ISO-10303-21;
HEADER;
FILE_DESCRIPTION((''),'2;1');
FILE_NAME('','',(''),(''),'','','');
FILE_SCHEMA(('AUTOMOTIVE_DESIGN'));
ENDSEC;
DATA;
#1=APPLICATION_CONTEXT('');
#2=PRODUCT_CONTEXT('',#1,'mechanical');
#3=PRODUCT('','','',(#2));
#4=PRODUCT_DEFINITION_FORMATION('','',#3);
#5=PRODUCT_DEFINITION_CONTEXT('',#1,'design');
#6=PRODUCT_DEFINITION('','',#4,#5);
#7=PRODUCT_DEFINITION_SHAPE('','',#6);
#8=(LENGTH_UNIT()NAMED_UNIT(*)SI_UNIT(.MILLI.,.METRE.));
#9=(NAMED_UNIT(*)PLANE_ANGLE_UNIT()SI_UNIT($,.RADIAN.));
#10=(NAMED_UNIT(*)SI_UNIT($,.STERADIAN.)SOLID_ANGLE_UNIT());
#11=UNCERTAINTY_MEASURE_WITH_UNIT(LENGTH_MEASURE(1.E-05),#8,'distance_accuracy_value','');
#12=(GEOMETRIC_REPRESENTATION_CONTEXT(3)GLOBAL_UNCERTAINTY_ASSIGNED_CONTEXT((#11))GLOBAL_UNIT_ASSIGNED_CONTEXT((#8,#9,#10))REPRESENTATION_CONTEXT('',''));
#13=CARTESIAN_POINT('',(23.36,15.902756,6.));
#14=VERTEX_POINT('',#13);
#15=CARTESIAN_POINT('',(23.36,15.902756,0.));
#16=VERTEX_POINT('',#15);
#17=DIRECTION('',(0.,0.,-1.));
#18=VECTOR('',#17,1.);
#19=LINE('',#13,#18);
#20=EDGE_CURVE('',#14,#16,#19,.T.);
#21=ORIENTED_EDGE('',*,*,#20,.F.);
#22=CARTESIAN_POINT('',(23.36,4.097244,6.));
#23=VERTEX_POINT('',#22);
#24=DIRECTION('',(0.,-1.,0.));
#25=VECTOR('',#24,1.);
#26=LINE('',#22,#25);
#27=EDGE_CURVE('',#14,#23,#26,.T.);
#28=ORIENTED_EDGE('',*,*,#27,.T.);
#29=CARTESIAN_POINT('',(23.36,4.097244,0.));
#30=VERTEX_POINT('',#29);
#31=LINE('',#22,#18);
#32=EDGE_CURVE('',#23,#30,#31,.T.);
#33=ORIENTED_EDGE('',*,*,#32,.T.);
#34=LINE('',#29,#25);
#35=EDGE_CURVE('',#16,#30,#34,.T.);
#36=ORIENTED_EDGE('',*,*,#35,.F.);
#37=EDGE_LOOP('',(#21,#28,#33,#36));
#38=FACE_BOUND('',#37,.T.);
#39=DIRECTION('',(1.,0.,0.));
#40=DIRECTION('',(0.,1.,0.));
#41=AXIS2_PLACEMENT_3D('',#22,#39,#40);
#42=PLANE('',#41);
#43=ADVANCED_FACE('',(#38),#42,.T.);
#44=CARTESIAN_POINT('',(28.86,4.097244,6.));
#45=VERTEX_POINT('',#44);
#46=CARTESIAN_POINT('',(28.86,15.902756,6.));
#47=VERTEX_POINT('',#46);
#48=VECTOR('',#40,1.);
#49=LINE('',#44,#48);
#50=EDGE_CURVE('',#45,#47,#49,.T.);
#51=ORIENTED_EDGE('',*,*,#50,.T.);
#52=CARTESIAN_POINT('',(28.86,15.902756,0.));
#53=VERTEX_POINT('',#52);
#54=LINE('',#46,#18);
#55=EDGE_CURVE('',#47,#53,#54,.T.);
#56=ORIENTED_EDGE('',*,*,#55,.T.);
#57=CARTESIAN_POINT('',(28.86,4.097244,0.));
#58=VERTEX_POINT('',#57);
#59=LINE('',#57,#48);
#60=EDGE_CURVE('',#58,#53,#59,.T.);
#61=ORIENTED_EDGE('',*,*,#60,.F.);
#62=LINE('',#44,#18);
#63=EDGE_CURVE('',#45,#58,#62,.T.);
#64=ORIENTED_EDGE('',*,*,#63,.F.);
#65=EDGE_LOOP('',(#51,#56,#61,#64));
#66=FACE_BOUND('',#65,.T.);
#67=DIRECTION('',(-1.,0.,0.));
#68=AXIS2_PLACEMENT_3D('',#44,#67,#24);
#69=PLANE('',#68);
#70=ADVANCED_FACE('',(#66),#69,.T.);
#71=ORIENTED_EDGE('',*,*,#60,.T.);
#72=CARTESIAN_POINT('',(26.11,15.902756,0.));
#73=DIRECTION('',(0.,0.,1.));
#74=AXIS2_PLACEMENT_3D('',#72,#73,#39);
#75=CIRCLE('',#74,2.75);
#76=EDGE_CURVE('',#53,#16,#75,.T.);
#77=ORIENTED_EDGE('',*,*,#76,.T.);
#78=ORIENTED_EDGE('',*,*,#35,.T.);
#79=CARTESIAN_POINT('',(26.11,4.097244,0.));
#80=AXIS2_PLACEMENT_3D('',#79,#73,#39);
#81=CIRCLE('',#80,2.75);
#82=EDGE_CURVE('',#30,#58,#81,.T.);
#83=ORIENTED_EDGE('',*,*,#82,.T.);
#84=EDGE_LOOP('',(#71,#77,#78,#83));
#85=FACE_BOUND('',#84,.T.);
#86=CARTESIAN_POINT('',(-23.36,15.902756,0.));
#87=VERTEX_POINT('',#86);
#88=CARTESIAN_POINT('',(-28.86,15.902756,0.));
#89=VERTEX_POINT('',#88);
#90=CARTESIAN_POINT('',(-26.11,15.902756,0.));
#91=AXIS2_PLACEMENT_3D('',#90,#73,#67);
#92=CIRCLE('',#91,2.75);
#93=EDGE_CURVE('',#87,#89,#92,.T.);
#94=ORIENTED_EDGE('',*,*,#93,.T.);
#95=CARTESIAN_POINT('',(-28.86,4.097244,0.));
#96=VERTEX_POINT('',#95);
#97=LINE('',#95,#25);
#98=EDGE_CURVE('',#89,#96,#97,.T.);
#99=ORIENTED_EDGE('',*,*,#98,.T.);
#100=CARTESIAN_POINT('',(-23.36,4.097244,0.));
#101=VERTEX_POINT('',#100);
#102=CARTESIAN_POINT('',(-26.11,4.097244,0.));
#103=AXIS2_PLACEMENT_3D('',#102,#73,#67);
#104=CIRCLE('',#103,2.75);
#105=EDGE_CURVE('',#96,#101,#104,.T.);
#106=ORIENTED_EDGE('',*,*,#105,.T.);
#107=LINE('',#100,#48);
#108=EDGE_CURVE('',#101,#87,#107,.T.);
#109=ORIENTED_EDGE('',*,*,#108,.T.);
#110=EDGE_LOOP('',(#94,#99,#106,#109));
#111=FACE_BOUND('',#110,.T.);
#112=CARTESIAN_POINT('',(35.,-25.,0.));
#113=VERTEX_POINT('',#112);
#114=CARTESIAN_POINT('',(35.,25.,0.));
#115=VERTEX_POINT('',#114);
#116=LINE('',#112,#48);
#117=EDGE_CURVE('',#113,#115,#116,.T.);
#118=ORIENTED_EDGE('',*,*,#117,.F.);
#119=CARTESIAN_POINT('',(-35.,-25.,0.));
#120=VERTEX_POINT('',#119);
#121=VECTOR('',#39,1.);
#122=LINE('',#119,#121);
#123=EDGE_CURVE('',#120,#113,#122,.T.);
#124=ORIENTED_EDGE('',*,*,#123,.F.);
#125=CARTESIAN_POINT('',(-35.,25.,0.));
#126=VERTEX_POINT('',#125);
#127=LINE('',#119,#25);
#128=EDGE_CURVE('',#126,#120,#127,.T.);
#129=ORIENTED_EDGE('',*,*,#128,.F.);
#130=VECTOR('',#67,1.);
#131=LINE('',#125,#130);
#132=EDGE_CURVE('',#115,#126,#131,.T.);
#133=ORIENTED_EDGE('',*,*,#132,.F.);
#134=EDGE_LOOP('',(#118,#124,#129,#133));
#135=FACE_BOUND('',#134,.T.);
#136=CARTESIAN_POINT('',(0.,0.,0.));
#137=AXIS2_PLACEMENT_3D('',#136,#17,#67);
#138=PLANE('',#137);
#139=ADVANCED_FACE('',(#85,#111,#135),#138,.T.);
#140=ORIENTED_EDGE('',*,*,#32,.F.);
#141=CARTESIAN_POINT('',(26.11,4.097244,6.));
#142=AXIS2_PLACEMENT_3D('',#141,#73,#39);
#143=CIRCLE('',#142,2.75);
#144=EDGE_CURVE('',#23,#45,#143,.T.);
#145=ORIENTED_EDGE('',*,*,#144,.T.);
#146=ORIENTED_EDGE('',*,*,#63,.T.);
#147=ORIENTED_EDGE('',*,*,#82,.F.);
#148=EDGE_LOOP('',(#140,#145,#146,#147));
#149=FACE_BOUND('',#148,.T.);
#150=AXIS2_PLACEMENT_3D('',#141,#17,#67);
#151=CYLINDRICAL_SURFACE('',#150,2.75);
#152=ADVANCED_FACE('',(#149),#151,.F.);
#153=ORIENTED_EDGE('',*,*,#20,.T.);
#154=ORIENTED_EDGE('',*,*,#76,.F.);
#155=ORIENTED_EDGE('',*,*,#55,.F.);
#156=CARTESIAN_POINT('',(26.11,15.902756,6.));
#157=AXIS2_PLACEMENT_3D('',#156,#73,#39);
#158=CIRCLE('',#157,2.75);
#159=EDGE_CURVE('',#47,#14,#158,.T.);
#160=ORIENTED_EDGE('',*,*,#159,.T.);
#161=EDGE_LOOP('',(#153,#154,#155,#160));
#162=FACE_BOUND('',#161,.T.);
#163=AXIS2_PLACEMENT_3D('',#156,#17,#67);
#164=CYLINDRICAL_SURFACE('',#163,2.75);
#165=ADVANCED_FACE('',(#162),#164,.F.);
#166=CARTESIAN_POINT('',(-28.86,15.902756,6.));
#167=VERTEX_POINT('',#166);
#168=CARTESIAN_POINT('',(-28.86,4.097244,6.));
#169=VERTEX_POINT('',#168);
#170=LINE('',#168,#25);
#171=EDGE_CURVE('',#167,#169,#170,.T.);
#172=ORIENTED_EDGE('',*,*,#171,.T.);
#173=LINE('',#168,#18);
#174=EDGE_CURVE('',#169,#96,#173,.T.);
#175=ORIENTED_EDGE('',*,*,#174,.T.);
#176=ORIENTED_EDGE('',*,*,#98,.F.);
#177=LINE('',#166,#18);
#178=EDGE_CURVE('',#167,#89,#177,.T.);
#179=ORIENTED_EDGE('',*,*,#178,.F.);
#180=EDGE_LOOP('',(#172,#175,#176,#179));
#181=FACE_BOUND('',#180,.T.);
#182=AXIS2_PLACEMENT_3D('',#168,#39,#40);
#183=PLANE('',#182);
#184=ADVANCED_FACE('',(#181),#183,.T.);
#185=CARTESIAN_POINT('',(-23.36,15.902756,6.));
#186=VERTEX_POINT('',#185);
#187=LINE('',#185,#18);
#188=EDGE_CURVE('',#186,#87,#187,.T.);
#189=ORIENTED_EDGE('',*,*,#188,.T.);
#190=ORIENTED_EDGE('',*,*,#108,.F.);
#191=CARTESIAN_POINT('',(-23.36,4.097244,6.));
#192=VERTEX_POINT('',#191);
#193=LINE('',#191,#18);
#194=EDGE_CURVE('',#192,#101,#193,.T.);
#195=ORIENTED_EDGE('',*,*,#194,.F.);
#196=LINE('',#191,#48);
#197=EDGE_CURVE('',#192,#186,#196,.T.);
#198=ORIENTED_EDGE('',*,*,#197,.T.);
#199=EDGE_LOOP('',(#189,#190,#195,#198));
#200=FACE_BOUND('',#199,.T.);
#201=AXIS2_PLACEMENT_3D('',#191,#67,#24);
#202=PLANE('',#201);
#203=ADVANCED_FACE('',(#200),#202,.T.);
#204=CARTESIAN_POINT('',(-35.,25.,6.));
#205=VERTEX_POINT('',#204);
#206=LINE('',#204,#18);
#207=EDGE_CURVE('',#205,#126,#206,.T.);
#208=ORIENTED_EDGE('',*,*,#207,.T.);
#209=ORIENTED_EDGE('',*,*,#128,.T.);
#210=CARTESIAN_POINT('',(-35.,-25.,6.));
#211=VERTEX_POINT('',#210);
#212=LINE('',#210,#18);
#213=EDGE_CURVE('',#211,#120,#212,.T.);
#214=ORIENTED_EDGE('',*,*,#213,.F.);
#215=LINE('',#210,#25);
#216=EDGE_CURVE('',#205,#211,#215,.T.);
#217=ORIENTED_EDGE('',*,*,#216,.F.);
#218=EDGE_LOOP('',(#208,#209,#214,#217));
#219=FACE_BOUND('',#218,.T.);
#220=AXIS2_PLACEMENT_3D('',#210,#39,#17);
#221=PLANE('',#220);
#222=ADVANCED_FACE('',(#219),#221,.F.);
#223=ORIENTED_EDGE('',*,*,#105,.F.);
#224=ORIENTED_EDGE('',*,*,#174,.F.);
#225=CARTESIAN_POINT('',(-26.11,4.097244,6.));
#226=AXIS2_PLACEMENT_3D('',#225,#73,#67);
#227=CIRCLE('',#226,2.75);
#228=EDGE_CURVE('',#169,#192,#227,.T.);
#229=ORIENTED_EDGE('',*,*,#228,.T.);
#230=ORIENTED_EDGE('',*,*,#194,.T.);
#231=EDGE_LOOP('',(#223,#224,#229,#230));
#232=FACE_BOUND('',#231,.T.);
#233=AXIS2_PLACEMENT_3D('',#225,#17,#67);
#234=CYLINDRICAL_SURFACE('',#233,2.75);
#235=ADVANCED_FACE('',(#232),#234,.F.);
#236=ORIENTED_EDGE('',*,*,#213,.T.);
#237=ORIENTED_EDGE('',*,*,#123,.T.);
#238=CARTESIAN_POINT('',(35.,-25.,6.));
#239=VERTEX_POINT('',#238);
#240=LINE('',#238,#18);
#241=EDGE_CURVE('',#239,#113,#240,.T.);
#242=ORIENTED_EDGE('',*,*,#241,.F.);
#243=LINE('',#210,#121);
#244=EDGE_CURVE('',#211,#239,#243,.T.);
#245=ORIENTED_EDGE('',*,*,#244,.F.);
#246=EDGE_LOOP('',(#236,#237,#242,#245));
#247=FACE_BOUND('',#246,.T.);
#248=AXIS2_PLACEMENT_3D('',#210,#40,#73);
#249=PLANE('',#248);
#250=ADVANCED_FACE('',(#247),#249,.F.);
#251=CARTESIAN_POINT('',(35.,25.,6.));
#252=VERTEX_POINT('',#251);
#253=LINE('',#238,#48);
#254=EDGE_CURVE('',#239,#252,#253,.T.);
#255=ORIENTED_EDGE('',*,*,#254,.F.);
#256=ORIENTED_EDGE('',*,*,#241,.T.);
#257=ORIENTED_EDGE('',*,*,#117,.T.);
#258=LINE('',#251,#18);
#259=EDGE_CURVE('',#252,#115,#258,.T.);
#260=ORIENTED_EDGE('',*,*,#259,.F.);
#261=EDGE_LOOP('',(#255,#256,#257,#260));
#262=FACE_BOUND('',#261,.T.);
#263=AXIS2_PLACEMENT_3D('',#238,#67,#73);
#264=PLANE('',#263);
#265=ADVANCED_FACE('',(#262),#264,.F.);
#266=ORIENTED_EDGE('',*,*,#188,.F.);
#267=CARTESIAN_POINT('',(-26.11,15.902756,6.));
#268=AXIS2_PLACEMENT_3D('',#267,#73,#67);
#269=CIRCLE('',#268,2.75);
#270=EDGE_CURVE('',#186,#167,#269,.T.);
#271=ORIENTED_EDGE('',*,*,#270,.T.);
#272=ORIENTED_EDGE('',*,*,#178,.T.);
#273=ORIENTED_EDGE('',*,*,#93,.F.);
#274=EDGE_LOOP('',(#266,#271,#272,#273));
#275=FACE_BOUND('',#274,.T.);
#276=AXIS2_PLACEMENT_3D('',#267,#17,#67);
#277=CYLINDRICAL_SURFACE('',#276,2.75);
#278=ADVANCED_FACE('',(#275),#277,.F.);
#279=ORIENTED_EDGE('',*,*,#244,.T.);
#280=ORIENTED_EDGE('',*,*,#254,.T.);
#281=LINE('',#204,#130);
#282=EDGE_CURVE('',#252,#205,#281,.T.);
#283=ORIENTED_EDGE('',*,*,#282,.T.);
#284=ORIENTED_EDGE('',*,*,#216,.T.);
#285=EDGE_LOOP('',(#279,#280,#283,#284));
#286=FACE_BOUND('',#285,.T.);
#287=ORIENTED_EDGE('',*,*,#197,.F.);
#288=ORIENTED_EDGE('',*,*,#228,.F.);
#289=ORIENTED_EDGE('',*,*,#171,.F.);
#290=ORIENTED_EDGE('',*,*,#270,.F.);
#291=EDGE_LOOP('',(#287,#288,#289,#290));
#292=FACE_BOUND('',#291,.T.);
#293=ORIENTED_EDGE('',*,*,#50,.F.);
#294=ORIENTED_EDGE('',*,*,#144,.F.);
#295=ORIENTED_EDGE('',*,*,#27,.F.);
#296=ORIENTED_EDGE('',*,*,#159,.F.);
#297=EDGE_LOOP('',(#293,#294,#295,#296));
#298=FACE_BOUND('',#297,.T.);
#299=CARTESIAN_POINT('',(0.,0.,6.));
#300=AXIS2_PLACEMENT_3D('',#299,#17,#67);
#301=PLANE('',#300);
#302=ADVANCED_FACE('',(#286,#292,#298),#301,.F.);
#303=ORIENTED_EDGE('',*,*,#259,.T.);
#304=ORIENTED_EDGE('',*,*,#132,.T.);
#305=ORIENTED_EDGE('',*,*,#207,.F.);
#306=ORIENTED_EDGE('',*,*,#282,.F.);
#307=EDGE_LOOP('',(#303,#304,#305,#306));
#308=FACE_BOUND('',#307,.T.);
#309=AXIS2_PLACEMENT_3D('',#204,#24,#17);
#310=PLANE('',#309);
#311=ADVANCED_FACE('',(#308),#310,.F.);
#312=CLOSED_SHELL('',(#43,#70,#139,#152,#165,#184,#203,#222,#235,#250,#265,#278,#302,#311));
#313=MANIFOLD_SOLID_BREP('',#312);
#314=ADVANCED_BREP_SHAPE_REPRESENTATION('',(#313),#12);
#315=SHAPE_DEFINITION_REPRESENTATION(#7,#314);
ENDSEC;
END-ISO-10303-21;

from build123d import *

# Parameters (mm, degrees)
SKETCH1_W           = 70
SKETCH1_H           = 50
BOSS_EXTRUDE1_DEPTH = 6
CUT_EXTRUDE1_DEPTH  = 44.428101501


with BuildPart() as part:
    # Sketch1 → Boss-Extrude1 (new body)
    with BuildSketch(Plane.XY):
        Rectangle(SKETCH1_W, SKETCH1_H)
    extrude(amount=BOSS_EXTRUDE1_DEPTH)

    # Sketch2 → Cut-Extrude1 (cut, through all)
    with BuildSketch(Plane.XY):
        with BuildLine():
            Line((23.36, 4.097243552), (23.36, 15.902756448))
            ThreePointArc((23.36, 15.902756448), (26.11, 18.652756448), (28.86, 15.902756448))
            Line((28.86, 15.902756448), (28.86, 4.097243552))
            ThreePointArc((28.86, 4.097243552), (26.11, 1.347243552), (23.36, 4.097243552))
        make_face()
        with BuildLine():
            Line((-23.36, 4.097243552), (-23.36, 15.902756448))
            ThreePointArc((-23.36, 15.902756448), (-26.11, 18.652756448), (-28.86, 15.902756448))
            Line((-28.86, 15.902756448), (-28.86, 4.097243552))
            ThreePointArc((-28.86, 4.097243552), (-26.11, 1.347243552), (-23.36, 4.097243552))
        make_face()
    extrude(amount=CUT_EXTRUDE1_DEPTH, mode=Mode.SUBTRACT)


solid = part.part
